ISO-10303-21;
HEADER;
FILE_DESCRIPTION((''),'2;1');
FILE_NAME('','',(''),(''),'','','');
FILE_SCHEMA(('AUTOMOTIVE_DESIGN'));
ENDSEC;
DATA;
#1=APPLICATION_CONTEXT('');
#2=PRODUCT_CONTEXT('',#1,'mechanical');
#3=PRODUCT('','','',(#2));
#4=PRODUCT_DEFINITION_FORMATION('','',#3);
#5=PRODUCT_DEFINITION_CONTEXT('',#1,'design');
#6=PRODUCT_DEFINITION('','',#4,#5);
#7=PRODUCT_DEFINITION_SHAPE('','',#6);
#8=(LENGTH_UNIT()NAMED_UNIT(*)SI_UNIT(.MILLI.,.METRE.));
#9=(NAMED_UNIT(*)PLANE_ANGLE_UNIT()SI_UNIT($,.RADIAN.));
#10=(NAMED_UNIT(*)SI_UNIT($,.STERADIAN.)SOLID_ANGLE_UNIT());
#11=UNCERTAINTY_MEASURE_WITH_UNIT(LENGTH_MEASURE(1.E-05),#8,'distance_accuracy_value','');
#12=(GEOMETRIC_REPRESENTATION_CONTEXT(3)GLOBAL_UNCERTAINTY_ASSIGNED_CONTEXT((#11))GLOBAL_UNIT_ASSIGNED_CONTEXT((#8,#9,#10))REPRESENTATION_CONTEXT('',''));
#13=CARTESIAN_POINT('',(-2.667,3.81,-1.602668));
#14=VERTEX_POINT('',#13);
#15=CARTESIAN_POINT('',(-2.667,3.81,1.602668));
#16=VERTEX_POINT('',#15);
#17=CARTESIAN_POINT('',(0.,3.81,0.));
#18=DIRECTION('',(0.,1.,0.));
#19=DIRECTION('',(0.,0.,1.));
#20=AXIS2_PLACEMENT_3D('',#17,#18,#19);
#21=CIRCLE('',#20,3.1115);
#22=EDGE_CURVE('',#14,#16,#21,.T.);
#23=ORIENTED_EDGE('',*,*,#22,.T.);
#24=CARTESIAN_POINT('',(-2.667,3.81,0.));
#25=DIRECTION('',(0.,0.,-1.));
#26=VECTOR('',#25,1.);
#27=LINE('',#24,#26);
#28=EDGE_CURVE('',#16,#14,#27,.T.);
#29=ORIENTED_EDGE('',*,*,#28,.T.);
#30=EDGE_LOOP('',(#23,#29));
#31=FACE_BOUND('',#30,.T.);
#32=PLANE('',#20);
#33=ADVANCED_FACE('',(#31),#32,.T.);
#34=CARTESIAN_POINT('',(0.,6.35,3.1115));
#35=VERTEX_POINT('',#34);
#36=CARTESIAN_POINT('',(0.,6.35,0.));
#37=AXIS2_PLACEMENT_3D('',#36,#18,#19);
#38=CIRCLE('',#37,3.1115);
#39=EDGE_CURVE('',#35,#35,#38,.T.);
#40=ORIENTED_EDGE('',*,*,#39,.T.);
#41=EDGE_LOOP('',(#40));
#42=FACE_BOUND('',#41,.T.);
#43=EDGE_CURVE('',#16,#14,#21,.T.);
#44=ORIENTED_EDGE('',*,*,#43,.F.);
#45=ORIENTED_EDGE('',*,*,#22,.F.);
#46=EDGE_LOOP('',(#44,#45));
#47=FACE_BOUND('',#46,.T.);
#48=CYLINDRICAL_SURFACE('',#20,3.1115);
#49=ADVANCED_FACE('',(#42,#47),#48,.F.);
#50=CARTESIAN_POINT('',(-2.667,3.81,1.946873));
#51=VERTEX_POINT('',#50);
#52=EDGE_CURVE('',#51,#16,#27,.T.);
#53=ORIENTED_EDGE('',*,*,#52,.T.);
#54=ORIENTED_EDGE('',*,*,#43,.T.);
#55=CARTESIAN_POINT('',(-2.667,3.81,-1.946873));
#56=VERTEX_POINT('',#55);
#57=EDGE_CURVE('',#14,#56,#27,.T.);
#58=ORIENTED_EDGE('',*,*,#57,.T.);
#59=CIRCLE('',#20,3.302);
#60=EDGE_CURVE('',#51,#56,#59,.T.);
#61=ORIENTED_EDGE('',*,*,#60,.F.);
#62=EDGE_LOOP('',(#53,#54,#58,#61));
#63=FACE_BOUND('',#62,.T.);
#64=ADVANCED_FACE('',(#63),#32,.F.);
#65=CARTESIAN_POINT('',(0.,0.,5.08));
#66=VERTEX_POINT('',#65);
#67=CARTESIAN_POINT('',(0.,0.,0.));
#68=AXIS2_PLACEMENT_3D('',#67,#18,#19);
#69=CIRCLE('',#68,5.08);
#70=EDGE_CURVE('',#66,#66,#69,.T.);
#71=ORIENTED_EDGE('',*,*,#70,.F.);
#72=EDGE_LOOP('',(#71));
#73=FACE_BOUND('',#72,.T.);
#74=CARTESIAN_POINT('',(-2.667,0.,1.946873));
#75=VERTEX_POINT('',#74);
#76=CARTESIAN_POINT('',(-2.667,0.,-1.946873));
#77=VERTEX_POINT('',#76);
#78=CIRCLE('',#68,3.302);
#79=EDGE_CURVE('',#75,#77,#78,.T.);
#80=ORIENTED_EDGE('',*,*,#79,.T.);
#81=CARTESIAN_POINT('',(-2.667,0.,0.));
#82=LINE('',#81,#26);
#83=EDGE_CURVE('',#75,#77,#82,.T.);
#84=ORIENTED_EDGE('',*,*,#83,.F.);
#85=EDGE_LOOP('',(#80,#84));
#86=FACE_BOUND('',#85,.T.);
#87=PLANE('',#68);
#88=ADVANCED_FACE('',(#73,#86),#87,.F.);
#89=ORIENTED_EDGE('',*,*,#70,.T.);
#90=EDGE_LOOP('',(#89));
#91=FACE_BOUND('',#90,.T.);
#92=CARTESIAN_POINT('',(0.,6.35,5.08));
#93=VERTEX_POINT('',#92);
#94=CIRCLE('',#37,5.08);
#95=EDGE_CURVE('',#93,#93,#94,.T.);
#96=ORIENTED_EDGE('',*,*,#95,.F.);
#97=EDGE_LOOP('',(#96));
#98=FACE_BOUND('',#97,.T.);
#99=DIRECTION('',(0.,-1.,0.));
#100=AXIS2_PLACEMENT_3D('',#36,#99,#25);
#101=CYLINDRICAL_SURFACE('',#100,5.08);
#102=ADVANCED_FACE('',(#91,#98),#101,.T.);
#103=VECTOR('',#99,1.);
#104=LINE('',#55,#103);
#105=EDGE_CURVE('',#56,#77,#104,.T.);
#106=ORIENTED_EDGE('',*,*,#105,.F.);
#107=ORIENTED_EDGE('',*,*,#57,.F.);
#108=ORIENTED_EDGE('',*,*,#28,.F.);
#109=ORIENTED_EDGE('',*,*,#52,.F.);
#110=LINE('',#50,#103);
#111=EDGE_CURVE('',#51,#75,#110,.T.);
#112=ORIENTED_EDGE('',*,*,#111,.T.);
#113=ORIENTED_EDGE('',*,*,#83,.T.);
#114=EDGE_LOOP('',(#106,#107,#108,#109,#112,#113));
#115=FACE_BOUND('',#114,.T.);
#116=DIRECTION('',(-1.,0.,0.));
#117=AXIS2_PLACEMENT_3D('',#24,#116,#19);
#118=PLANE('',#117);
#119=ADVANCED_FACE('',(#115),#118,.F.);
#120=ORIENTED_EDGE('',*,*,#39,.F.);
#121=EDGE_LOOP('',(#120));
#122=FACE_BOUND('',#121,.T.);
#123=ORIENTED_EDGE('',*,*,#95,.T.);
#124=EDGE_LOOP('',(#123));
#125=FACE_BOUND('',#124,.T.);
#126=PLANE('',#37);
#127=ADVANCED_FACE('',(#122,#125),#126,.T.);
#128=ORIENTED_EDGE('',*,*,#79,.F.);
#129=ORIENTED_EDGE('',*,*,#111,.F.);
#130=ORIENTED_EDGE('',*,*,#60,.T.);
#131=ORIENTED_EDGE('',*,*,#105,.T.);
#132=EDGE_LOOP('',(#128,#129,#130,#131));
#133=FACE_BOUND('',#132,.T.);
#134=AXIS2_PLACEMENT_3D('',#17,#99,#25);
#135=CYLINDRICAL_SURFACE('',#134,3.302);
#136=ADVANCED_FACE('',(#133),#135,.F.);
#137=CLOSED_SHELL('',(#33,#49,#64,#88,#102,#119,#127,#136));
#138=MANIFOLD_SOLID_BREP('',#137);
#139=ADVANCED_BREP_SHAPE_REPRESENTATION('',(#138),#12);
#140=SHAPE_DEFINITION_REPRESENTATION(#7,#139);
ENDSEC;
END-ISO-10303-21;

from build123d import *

# Parameters (mm, degrees)
SKETCH1_R           = 5.08
BOSS_EXTRUDE1_DEPTH = 6.35
CUT_EXTRUDE1_DEPTH  = 3.81
SKETCH3_R           = 3.1115
CUT_EXTRUDE2_DEPTH  = 2.54


with BuildPart() as part:
    # Sketch1 → Boss-Extrude1 (new body)
    with BuildSketch(Plane(origin=(0, 0, 0), x_dir=(1, 0, 0), z_dir=(0, 1, 0))):
        with Locations(Location((0, 0, 0), (0, 0, 270))):
            Circle(SKETCH1_R)
    extrude(amount=BOSS_EXTRUDE1_DEPTH)

    # Sketch2 → Cut-Extrude1 (cut)
    with BuildSketch(Plane(origin=(0, 0, 0), x_dir=(1, 0, 0), z_dir=(0, 1, 0))):
        with BuildLine():
            Line((-2.667, 1.946873134), (-2.667, -1.946873134))
            ThreePointArc((-2.667, -1.946873134), (1.023906734, -3.139238602), (3.302, 0))
            ThreePointArc((3.302, 0), (1.023906734, 3.139238602), (-2.667, 1.946873134))
        make_face()
    extrude(amount=CUT_EXTRUDE1_DEPTH, mode=Mode.SUBTRACT)

    # Sketch3 → Cut-Extrude2 (cut)
    with BuildSketch(Plane(origin=(0, 6.35, 0), x_dir=(1, 0, 0), z_dir=(0, 1, 0))):
        with Locations(Location((0, 0, 0), (0, 0, 270))):
            Circle(SKETCH3_R)
    extrude(amount=-CUT_EXTRUDE2_DEPTH, mode=Mode.SUBTRACT)


solid = part.part
